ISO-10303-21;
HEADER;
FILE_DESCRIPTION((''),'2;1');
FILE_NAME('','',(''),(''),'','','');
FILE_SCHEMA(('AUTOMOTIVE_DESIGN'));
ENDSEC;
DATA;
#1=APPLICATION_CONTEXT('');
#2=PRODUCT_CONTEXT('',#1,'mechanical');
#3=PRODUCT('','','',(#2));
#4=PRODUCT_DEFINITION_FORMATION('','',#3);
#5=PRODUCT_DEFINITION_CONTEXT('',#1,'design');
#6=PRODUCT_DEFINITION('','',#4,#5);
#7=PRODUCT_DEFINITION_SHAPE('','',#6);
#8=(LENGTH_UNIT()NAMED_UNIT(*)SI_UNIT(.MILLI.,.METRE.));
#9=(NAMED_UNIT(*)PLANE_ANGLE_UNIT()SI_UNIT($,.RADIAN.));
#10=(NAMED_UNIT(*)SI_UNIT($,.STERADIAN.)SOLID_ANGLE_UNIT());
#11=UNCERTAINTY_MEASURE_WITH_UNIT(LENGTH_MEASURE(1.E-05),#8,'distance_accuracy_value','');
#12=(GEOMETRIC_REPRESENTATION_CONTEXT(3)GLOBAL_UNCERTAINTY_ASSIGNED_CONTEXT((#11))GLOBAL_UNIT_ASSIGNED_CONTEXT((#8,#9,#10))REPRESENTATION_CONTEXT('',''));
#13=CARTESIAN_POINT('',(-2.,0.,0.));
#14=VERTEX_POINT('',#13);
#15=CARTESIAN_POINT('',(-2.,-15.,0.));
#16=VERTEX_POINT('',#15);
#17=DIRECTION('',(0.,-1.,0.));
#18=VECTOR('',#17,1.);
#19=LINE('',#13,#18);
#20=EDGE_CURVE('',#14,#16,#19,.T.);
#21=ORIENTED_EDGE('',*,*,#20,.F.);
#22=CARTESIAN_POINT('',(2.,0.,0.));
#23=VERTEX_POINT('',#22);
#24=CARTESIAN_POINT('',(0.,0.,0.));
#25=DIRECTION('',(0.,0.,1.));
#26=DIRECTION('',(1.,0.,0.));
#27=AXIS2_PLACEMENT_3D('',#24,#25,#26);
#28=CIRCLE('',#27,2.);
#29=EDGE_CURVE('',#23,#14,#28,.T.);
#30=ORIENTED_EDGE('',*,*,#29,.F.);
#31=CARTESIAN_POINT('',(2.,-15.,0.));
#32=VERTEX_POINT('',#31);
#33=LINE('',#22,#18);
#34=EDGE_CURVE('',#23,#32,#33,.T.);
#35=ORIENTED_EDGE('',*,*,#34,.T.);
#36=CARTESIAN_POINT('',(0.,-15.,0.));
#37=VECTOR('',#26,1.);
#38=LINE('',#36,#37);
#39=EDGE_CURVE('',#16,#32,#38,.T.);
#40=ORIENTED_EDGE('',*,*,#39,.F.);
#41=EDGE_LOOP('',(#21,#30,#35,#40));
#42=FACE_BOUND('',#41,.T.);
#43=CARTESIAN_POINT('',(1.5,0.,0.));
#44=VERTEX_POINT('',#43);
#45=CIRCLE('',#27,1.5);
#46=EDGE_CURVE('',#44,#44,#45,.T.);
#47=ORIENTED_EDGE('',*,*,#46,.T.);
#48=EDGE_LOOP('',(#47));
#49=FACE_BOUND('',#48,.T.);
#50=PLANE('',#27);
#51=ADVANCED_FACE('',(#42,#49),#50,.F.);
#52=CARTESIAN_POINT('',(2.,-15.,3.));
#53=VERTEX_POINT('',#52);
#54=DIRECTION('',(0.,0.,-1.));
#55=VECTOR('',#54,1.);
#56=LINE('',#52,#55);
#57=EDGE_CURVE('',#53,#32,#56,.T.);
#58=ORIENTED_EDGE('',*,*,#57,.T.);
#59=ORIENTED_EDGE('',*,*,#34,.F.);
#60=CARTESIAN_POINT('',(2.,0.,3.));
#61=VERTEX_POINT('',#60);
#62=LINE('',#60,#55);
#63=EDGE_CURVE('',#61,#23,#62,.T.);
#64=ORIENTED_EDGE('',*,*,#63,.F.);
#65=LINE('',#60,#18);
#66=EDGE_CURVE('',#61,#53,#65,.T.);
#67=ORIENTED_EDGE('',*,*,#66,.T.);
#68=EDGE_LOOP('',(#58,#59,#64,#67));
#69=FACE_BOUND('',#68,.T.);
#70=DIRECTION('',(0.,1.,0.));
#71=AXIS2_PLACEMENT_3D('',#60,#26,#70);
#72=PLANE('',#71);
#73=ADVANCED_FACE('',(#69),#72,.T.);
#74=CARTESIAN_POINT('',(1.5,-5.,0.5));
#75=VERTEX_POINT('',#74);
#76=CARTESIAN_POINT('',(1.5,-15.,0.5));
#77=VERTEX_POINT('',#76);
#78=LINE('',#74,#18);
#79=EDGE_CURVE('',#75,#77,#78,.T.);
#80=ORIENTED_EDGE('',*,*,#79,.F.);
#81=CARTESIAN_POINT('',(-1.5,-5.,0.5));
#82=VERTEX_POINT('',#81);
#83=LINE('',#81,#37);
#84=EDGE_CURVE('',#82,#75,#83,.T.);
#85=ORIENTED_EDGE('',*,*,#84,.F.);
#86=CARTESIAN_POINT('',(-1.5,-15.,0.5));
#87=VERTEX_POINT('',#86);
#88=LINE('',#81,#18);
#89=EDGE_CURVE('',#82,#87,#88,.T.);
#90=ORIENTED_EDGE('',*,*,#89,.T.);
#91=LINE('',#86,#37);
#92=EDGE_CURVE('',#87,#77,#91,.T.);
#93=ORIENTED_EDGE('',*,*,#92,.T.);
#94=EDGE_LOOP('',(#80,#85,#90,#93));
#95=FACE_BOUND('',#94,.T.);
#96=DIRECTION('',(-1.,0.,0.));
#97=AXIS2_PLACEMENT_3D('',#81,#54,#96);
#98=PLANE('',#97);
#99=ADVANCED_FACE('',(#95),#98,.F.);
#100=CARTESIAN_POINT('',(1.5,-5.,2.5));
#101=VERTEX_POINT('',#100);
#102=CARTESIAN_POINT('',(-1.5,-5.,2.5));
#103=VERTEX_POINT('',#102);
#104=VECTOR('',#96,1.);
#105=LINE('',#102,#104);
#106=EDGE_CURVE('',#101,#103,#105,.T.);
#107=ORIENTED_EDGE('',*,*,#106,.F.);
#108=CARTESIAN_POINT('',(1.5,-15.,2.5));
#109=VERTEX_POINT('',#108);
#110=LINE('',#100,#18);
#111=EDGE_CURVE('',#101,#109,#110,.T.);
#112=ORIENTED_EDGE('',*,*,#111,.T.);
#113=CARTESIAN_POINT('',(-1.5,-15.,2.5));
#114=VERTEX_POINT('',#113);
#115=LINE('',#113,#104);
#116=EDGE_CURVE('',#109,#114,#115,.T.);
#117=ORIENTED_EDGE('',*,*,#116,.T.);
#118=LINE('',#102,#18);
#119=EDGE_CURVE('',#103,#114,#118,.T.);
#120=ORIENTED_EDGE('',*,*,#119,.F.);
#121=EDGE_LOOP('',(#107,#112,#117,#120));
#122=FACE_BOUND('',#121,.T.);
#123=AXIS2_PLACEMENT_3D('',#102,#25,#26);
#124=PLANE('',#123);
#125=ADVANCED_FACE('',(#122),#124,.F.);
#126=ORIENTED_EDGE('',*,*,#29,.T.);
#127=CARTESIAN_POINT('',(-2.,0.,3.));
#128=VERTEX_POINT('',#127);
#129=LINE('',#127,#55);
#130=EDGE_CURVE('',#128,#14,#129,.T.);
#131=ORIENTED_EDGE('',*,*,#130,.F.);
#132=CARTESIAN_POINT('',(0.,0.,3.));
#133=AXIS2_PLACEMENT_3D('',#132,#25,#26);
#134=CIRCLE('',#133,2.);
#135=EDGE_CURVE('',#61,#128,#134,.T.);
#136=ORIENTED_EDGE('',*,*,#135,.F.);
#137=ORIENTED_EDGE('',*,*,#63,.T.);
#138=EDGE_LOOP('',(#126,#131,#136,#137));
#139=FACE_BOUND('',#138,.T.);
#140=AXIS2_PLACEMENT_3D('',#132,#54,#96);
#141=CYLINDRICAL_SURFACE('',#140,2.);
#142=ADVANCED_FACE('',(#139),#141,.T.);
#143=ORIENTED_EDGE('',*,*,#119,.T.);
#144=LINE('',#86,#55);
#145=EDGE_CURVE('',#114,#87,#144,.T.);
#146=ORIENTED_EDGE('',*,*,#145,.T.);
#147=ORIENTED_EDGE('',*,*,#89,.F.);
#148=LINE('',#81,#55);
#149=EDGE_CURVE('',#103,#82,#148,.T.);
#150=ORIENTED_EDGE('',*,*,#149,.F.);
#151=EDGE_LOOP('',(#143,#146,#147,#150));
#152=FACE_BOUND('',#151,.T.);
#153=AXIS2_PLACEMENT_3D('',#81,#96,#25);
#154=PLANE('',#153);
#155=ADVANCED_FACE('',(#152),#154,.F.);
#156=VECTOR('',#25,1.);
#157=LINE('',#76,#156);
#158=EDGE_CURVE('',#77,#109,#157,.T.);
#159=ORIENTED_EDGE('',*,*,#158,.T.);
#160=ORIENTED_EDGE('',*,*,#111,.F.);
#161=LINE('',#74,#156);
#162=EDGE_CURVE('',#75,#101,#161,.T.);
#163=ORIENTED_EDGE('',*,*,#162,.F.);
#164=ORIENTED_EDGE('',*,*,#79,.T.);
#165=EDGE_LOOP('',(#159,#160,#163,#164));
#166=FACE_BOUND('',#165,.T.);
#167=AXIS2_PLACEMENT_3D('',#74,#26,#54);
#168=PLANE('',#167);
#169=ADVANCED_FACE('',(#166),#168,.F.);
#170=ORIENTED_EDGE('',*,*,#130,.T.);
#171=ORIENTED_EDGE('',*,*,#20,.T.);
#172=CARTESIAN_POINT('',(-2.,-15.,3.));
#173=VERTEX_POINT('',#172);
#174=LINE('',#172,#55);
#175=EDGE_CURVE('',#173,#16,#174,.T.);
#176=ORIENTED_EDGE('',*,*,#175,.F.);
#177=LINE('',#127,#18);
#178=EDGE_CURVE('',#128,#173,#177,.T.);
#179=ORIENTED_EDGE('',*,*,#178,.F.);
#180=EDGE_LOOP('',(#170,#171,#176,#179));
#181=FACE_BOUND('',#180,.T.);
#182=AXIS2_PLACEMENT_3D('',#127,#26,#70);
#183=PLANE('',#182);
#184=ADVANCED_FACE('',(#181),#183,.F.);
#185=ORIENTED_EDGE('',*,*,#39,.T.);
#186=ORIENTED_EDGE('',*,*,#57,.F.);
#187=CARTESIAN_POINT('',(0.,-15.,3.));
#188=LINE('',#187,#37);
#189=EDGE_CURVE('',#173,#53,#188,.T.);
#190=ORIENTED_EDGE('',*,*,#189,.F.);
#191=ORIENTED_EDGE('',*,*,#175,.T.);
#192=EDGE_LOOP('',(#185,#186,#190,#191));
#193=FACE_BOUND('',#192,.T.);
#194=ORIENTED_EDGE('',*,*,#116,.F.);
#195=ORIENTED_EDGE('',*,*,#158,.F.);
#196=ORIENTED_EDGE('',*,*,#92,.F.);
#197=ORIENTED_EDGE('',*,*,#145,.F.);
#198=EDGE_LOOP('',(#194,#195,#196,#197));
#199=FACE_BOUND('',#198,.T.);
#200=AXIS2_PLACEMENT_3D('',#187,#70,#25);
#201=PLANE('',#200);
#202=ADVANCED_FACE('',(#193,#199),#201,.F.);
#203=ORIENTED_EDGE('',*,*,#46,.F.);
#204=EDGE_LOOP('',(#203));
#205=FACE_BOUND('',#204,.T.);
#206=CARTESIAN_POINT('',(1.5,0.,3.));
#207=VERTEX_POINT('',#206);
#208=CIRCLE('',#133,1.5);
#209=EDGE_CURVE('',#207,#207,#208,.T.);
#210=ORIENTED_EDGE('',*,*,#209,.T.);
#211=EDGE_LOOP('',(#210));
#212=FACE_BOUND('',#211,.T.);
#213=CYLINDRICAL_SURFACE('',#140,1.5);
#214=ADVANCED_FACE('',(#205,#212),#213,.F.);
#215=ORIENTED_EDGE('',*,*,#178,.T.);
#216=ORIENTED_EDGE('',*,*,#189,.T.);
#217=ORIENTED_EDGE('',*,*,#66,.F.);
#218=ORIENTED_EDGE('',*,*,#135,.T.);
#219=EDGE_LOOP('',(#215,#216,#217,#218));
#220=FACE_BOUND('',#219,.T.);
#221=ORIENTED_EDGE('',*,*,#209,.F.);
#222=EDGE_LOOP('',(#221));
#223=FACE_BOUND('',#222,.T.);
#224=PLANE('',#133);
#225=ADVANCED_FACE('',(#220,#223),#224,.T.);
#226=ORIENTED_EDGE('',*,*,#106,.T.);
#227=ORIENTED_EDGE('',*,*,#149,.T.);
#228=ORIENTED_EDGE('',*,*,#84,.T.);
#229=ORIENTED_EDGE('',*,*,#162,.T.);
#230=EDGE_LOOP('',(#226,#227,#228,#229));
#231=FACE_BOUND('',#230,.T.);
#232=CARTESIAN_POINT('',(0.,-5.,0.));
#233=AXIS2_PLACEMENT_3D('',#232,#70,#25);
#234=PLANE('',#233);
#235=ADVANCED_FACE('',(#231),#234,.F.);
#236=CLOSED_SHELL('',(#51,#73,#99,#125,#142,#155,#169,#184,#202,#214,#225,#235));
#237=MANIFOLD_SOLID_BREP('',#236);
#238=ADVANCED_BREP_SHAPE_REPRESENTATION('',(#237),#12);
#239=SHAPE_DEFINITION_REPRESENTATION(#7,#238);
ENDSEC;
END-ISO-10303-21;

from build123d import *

# Parameters (mm, degrees)
SKETCH_1_R          = 2
SKETCH_1_R_2        = 1.5
EXTRUDE_1_DEPTH     = 3
SKETCH_2_W          = 3
SKETCH_2_H          = 2
CUT_EXTRUDE_1_DEPTH = 10


with BuildPart() as part:
    # 草图1 → 凸台-拉伸1 (new body)
    with BuildSketch(Plane.XY):
        with BuildLine():
            ThreePointArc((2, 0), (0, -2), (-2, 0))
            Line((-2, 0), (-2, -15))
            Line((-2, -15), (2, -15))
            Line((2, -15), (2, 0))
        make_face()
        Circle(SKETCH_1_R)
        Circle(SKETCH_1_R_2, mode=Mode.SUBTRACT)
    extrude(amount=EXTRUDE_1_DEPTH)

    # 草图2 → 切除-拉伸1 (cut)
    with BuildSketch(Plane.XZ.offset(15)):
        with Locations((0, 1.5)):
            Rectangle(SKETCH_2_W, SKETCH_2_H)
    extrude(amount=-CUT_EXTRUDE_1_DEPTH, mode=Mode.SUBTRACT)


solid = part.part
